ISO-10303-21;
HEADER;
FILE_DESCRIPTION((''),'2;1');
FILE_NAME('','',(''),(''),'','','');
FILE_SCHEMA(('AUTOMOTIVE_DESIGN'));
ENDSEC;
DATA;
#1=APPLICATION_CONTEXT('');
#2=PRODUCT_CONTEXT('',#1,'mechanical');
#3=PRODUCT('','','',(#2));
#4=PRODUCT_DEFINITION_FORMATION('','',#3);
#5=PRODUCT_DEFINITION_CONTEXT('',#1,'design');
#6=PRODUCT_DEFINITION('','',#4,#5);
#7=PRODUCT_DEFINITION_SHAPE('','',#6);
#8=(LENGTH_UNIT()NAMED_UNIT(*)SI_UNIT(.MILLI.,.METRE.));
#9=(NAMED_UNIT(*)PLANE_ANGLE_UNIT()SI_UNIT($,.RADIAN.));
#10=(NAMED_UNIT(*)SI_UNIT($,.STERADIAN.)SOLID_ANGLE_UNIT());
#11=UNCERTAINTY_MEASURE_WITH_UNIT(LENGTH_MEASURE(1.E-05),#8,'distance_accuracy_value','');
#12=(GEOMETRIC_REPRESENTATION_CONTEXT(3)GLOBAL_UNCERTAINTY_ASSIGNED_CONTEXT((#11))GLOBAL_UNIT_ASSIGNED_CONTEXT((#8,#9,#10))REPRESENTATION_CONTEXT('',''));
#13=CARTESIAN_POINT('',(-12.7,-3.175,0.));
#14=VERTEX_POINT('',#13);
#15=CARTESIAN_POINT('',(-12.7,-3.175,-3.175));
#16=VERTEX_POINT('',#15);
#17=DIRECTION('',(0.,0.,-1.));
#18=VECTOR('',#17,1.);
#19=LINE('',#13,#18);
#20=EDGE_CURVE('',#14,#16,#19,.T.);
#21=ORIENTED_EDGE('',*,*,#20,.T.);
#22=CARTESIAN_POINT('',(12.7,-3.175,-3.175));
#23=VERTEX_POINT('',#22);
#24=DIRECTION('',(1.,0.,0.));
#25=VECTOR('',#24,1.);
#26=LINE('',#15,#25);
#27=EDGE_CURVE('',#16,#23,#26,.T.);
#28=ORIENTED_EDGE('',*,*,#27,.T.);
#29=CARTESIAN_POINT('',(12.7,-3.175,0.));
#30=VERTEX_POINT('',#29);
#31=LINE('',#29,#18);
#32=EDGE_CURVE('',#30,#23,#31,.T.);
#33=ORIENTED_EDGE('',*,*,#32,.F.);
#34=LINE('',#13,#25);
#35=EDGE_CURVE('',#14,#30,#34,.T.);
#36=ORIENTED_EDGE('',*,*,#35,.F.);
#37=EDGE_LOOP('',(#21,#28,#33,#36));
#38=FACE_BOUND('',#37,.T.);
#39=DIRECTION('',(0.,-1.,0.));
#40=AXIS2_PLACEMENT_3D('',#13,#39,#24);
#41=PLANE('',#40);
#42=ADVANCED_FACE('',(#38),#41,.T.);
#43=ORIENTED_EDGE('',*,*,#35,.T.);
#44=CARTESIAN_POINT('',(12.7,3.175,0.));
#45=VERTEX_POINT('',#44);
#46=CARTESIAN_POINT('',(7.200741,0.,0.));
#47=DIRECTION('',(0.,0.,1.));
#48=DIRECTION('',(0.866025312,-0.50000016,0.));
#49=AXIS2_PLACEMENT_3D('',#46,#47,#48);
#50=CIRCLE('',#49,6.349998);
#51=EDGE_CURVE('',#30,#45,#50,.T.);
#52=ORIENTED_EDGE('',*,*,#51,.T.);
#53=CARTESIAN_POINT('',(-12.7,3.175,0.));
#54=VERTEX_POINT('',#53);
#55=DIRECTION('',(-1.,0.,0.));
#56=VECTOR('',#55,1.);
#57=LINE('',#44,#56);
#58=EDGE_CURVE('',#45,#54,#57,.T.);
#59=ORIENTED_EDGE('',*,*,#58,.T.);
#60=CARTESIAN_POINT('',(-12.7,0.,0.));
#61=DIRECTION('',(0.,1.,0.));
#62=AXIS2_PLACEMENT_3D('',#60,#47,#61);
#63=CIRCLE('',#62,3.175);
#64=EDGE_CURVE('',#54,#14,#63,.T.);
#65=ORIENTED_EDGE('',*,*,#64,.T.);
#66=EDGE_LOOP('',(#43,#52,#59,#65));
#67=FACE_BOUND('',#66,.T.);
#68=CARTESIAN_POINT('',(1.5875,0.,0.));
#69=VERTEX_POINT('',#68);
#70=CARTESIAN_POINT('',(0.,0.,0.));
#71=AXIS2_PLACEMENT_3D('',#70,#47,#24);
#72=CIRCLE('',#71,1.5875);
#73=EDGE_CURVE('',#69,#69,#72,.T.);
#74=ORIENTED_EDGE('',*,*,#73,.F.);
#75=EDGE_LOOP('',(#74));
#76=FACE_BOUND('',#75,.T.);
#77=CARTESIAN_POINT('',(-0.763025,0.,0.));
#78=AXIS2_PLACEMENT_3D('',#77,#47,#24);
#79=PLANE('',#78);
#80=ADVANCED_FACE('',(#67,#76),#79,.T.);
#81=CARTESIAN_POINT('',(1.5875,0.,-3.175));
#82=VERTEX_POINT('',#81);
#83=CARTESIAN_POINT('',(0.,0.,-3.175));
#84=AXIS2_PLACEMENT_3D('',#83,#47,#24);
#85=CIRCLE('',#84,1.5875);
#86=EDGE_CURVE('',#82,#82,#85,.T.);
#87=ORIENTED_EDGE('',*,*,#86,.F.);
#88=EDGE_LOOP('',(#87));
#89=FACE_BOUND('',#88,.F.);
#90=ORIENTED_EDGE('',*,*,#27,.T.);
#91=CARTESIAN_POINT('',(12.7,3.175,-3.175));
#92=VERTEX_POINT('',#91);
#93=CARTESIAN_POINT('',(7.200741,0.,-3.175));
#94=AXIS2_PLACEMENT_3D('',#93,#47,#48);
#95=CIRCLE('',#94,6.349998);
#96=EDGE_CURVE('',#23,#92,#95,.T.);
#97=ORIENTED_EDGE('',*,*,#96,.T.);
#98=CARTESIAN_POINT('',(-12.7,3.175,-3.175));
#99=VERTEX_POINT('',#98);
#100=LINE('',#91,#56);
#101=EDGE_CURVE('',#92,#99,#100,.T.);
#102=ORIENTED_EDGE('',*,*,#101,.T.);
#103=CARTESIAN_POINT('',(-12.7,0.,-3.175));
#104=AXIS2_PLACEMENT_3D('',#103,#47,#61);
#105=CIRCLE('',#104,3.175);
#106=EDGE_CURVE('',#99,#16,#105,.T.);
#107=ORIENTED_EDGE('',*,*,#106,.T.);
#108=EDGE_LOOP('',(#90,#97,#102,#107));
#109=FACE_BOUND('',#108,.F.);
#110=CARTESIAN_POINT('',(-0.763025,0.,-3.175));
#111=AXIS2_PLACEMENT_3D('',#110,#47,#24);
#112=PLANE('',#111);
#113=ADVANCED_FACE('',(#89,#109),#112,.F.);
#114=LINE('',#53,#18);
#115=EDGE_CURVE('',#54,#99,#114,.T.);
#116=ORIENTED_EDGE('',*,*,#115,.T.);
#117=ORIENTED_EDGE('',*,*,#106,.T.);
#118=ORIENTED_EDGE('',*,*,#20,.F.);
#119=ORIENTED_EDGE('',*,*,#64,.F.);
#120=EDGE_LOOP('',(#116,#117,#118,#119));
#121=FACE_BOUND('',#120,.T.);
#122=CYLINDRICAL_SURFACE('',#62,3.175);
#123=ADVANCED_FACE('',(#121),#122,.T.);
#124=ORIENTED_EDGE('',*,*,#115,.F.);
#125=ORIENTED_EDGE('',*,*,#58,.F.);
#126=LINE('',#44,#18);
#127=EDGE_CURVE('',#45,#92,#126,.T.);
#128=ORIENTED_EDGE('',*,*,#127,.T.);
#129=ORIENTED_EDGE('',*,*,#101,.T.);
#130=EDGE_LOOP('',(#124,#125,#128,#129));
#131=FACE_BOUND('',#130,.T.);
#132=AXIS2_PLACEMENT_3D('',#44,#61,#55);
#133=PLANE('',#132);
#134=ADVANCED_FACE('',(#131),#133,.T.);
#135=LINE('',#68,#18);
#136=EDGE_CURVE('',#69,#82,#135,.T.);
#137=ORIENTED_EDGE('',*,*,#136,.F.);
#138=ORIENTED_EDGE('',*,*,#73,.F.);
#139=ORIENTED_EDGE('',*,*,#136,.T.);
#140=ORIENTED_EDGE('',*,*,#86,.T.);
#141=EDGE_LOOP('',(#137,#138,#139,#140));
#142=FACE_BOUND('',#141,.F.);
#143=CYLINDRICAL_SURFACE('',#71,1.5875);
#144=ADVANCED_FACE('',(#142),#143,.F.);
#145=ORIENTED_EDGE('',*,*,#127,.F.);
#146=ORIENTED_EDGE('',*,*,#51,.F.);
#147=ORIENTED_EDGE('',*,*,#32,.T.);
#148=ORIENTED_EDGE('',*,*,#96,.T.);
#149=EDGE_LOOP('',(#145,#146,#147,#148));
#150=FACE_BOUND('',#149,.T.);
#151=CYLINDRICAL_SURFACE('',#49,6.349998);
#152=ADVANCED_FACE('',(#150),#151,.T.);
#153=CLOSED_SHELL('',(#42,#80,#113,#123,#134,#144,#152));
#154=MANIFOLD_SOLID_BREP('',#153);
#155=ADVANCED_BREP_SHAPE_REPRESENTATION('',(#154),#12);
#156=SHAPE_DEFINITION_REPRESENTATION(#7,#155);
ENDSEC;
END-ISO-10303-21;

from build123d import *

# Parameters (mm, degrees)
F0_R     = 1.5875
F1_DEPTH = 3.175


with BuildPart() as f1:
    # F0 (on Top) → F1 (new body)
    with BuildSketch(Plane.XY):
        with BuildLine():
            ThreePointArc((12.7, -3.175), (13.550739, 0), (12.7, 3.175))
            Line((12.7, 3.175), (-12.7, 3.175))
            ThreePointArc((-12.7, 3.175), (-15.875, 0), (-12.7, -3.175))
            Line((-12.7, -3.175), (12.7, -3.175))
        make_face()
        Circle(F0_R, mode=Mode.SUBTRACT)
    extrude(amount=-F1_DEPTH)


solid = f1.part
